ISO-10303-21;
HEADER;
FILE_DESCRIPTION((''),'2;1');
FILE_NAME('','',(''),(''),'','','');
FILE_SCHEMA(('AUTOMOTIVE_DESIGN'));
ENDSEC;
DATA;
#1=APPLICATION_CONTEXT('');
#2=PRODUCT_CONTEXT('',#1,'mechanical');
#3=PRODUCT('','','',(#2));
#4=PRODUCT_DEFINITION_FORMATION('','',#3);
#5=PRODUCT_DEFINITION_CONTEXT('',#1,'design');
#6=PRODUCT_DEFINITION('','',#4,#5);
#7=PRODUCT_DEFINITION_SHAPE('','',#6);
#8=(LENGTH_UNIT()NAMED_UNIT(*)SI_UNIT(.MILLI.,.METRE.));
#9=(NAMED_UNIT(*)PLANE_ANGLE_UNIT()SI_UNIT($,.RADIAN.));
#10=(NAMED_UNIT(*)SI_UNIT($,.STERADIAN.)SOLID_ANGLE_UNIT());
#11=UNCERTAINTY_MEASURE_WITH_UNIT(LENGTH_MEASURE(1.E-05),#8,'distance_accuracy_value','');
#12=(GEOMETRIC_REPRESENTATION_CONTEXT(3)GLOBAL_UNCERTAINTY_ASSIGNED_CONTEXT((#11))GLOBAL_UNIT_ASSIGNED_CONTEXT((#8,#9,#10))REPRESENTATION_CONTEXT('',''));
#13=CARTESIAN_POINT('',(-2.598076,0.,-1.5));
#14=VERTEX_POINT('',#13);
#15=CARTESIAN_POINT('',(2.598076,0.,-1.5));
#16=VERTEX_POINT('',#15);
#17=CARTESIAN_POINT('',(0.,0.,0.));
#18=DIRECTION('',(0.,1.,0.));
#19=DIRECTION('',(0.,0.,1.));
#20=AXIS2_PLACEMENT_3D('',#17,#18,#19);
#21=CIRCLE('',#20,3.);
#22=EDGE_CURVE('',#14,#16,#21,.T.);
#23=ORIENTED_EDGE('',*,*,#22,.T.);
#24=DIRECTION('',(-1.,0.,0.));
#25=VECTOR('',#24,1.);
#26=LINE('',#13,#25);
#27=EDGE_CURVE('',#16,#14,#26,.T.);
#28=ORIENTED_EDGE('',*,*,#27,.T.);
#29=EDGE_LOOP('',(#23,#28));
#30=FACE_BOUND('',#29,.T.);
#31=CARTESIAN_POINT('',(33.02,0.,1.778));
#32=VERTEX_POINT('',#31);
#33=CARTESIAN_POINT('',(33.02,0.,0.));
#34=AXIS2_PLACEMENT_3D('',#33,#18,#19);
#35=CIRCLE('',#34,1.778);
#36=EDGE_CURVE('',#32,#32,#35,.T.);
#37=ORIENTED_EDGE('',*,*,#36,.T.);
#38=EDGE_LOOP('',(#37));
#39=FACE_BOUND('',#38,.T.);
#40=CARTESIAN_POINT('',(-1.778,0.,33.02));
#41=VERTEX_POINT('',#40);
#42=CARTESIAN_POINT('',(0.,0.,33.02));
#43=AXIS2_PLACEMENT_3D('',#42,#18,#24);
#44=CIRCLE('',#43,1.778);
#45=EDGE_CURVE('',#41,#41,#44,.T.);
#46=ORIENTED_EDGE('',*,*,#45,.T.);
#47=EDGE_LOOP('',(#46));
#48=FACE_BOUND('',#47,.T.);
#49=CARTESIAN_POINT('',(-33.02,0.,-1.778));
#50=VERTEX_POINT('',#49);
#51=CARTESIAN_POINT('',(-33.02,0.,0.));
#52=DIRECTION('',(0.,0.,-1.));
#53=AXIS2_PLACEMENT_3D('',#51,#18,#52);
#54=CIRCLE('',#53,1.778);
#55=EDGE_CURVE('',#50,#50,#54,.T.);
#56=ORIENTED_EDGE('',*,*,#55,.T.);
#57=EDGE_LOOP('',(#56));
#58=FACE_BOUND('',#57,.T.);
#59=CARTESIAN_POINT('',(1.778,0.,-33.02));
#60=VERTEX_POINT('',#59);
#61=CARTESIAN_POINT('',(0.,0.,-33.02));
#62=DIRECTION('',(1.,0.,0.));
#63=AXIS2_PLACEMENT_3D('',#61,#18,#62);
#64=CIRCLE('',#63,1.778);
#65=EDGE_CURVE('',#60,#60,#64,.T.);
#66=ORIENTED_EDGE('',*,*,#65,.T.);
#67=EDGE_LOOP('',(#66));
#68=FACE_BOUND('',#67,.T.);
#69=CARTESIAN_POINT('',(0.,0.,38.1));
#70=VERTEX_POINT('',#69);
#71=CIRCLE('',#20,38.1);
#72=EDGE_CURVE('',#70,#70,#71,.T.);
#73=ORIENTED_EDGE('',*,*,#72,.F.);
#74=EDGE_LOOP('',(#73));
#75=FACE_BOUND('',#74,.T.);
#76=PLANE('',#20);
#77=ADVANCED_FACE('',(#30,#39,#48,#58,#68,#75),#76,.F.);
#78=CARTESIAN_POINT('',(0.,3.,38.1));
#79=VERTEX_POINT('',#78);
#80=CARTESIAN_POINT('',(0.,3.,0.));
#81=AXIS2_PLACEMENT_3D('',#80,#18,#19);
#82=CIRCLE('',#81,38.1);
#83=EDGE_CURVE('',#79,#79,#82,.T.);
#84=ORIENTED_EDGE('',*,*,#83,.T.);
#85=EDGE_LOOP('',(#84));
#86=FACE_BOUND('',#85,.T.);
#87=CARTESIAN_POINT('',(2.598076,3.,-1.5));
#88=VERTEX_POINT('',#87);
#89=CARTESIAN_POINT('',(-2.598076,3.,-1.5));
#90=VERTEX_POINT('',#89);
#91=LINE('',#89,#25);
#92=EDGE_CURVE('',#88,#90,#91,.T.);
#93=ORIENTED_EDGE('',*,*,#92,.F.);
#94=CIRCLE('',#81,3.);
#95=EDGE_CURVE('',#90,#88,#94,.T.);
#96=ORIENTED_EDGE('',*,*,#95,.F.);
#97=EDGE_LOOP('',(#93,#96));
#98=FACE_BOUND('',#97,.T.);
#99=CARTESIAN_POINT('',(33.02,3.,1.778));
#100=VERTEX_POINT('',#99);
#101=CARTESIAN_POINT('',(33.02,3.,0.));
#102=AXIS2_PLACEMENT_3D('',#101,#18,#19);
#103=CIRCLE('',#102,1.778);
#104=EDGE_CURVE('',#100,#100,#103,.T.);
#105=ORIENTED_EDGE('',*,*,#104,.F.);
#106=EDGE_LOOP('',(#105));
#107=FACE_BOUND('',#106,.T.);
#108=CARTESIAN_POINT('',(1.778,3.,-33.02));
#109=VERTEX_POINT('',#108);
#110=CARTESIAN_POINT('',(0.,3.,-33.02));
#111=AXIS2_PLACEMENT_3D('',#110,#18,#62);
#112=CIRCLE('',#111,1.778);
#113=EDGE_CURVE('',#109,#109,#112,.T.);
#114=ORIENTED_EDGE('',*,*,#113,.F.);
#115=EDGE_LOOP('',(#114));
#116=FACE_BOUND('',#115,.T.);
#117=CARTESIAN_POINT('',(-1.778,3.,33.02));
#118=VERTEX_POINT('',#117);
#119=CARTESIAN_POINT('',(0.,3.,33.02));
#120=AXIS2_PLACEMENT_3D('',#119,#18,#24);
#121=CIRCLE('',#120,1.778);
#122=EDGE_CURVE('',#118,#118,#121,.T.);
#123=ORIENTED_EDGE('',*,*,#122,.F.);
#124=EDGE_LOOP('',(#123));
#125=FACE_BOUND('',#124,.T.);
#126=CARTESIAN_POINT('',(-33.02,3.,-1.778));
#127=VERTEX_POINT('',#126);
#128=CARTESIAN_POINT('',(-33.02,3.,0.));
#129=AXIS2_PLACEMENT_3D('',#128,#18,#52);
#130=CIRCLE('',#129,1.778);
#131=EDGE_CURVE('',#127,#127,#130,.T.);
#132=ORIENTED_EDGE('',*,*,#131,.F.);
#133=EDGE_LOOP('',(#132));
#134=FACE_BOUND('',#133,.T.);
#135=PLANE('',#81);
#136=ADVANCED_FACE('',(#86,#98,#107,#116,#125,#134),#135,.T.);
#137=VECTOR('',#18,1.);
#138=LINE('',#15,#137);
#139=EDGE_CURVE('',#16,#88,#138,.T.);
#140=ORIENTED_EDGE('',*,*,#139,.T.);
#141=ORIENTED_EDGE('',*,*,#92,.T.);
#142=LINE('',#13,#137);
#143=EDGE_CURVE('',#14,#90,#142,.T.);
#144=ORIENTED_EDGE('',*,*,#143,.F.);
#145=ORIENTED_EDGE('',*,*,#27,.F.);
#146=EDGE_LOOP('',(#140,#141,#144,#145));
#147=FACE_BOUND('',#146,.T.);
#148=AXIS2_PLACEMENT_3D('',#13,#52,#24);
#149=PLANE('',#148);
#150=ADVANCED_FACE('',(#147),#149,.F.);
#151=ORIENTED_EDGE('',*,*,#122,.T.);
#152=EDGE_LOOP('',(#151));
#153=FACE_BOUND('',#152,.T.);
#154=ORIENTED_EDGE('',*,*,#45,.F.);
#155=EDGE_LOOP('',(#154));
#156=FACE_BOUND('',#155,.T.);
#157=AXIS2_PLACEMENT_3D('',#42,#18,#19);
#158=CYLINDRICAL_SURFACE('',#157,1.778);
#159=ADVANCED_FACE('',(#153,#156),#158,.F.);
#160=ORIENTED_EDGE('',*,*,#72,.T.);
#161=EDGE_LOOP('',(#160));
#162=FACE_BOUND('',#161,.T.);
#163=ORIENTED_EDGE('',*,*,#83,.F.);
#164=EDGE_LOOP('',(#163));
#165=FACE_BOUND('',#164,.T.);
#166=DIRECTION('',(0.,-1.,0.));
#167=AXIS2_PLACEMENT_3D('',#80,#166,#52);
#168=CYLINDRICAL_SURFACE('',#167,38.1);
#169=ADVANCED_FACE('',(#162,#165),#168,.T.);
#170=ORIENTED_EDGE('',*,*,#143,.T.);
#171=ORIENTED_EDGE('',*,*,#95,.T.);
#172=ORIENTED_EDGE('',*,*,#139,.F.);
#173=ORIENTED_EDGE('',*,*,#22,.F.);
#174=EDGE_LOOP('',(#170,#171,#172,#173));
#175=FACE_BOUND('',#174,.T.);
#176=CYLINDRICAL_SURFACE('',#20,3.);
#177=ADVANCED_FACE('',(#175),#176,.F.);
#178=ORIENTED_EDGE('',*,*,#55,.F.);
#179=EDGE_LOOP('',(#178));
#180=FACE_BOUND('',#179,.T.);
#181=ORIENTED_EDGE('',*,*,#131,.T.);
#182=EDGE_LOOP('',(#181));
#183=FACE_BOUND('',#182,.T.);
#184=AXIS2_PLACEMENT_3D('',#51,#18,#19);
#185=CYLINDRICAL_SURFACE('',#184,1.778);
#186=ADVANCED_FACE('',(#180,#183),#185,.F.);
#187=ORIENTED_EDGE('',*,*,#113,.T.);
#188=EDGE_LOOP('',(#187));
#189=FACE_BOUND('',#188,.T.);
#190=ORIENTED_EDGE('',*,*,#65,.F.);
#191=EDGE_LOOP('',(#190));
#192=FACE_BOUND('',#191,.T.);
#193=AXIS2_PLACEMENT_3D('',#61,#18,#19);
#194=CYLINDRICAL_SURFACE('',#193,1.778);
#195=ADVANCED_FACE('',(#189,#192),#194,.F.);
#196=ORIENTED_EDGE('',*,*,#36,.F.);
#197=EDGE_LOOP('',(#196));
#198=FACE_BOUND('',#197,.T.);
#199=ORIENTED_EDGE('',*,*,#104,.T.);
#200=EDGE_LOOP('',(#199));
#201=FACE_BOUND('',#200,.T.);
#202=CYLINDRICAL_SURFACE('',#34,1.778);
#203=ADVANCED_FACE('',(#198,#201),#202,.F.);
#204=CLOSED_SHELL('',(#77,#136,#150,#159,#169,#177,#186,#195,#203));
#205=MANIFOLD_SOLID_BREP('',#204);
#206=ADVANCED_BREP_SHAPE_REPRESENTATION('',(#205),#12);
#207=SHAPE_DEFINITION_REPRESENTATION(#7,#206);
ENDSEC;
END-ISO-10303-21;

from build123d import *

# Parameters (mm, degrees)
SKETCH1_R           = 38.1
BOSS_EXTRUDE1_DEPTH = 3
SKETCH3_R           = 1.778
CUT_EXTRUDE1_DEPTH  = 54.96498865
CIRPATTERN1_COUNT   = 4
CUT_EXTRUDE2_DEPTH  = 54.96498865


with BuildPart() as part:
    # Sketch1 → Boss-Extrude1 (new body)
    with BuildSketch(Plane(origin=(0, 0, 0), x_dir=(1, 0, 0), z_dir=(0, 1, 0))):
        with Locations(Location((0, 0, 0), (0, 0, 270))):
            Circle(SKETCH1_R)
    extrude(amount=BOSS_EXTRUDE1_DEPTH)

    # Sketch3 → Cut-Extrude1 (cut, through all)
    with BuildSketch(Plane(origin=(0, 3, 0), x_dir=(1, 0, 0), z_dir=(0, 1, 0))):
        with Locations(Location((33.02, 0, 0), (0, 0, 270))):
            Circle(SKETCH3_R)
    cut_extrude1 = extrude(amount=-CUT_EXTRUDE1_DEPTH, mode=Mode.SUBTRACT)

    # CirPattern1: Cut-Extrude1 ×4 about axis
    cirpattern1_axis = Axis((0, 0, 0), (0, 1, 0))
    for i in range(1, CIRPATTERN1_COUNT):
        add(cut_extrude1.rotate(cirpattern1_axis, i * 360 / CIRPATTERN1_COUNT), mode=Mode.SUBTRACT)

    # Sketch4 → Cut-Extrude2 (cut, through all)
    with BuildSketch(Plane(origin=(0, 3, 0), x_dir=(1, 0, 0), z_dir=(0, 1, 0))):
        with BuildLine():
            Line((-2.598076211, 1.5), (2.598076211, 1.5))
            ThreePointArc((2.598076211, 1.5), (0, -3), (-2.598076211, 1.5))
        make_face()
    extrude(amount=-CUT_EXTRUDE2_DEPTH, mode=Mode.SUBTRACT)


solid = part.part
